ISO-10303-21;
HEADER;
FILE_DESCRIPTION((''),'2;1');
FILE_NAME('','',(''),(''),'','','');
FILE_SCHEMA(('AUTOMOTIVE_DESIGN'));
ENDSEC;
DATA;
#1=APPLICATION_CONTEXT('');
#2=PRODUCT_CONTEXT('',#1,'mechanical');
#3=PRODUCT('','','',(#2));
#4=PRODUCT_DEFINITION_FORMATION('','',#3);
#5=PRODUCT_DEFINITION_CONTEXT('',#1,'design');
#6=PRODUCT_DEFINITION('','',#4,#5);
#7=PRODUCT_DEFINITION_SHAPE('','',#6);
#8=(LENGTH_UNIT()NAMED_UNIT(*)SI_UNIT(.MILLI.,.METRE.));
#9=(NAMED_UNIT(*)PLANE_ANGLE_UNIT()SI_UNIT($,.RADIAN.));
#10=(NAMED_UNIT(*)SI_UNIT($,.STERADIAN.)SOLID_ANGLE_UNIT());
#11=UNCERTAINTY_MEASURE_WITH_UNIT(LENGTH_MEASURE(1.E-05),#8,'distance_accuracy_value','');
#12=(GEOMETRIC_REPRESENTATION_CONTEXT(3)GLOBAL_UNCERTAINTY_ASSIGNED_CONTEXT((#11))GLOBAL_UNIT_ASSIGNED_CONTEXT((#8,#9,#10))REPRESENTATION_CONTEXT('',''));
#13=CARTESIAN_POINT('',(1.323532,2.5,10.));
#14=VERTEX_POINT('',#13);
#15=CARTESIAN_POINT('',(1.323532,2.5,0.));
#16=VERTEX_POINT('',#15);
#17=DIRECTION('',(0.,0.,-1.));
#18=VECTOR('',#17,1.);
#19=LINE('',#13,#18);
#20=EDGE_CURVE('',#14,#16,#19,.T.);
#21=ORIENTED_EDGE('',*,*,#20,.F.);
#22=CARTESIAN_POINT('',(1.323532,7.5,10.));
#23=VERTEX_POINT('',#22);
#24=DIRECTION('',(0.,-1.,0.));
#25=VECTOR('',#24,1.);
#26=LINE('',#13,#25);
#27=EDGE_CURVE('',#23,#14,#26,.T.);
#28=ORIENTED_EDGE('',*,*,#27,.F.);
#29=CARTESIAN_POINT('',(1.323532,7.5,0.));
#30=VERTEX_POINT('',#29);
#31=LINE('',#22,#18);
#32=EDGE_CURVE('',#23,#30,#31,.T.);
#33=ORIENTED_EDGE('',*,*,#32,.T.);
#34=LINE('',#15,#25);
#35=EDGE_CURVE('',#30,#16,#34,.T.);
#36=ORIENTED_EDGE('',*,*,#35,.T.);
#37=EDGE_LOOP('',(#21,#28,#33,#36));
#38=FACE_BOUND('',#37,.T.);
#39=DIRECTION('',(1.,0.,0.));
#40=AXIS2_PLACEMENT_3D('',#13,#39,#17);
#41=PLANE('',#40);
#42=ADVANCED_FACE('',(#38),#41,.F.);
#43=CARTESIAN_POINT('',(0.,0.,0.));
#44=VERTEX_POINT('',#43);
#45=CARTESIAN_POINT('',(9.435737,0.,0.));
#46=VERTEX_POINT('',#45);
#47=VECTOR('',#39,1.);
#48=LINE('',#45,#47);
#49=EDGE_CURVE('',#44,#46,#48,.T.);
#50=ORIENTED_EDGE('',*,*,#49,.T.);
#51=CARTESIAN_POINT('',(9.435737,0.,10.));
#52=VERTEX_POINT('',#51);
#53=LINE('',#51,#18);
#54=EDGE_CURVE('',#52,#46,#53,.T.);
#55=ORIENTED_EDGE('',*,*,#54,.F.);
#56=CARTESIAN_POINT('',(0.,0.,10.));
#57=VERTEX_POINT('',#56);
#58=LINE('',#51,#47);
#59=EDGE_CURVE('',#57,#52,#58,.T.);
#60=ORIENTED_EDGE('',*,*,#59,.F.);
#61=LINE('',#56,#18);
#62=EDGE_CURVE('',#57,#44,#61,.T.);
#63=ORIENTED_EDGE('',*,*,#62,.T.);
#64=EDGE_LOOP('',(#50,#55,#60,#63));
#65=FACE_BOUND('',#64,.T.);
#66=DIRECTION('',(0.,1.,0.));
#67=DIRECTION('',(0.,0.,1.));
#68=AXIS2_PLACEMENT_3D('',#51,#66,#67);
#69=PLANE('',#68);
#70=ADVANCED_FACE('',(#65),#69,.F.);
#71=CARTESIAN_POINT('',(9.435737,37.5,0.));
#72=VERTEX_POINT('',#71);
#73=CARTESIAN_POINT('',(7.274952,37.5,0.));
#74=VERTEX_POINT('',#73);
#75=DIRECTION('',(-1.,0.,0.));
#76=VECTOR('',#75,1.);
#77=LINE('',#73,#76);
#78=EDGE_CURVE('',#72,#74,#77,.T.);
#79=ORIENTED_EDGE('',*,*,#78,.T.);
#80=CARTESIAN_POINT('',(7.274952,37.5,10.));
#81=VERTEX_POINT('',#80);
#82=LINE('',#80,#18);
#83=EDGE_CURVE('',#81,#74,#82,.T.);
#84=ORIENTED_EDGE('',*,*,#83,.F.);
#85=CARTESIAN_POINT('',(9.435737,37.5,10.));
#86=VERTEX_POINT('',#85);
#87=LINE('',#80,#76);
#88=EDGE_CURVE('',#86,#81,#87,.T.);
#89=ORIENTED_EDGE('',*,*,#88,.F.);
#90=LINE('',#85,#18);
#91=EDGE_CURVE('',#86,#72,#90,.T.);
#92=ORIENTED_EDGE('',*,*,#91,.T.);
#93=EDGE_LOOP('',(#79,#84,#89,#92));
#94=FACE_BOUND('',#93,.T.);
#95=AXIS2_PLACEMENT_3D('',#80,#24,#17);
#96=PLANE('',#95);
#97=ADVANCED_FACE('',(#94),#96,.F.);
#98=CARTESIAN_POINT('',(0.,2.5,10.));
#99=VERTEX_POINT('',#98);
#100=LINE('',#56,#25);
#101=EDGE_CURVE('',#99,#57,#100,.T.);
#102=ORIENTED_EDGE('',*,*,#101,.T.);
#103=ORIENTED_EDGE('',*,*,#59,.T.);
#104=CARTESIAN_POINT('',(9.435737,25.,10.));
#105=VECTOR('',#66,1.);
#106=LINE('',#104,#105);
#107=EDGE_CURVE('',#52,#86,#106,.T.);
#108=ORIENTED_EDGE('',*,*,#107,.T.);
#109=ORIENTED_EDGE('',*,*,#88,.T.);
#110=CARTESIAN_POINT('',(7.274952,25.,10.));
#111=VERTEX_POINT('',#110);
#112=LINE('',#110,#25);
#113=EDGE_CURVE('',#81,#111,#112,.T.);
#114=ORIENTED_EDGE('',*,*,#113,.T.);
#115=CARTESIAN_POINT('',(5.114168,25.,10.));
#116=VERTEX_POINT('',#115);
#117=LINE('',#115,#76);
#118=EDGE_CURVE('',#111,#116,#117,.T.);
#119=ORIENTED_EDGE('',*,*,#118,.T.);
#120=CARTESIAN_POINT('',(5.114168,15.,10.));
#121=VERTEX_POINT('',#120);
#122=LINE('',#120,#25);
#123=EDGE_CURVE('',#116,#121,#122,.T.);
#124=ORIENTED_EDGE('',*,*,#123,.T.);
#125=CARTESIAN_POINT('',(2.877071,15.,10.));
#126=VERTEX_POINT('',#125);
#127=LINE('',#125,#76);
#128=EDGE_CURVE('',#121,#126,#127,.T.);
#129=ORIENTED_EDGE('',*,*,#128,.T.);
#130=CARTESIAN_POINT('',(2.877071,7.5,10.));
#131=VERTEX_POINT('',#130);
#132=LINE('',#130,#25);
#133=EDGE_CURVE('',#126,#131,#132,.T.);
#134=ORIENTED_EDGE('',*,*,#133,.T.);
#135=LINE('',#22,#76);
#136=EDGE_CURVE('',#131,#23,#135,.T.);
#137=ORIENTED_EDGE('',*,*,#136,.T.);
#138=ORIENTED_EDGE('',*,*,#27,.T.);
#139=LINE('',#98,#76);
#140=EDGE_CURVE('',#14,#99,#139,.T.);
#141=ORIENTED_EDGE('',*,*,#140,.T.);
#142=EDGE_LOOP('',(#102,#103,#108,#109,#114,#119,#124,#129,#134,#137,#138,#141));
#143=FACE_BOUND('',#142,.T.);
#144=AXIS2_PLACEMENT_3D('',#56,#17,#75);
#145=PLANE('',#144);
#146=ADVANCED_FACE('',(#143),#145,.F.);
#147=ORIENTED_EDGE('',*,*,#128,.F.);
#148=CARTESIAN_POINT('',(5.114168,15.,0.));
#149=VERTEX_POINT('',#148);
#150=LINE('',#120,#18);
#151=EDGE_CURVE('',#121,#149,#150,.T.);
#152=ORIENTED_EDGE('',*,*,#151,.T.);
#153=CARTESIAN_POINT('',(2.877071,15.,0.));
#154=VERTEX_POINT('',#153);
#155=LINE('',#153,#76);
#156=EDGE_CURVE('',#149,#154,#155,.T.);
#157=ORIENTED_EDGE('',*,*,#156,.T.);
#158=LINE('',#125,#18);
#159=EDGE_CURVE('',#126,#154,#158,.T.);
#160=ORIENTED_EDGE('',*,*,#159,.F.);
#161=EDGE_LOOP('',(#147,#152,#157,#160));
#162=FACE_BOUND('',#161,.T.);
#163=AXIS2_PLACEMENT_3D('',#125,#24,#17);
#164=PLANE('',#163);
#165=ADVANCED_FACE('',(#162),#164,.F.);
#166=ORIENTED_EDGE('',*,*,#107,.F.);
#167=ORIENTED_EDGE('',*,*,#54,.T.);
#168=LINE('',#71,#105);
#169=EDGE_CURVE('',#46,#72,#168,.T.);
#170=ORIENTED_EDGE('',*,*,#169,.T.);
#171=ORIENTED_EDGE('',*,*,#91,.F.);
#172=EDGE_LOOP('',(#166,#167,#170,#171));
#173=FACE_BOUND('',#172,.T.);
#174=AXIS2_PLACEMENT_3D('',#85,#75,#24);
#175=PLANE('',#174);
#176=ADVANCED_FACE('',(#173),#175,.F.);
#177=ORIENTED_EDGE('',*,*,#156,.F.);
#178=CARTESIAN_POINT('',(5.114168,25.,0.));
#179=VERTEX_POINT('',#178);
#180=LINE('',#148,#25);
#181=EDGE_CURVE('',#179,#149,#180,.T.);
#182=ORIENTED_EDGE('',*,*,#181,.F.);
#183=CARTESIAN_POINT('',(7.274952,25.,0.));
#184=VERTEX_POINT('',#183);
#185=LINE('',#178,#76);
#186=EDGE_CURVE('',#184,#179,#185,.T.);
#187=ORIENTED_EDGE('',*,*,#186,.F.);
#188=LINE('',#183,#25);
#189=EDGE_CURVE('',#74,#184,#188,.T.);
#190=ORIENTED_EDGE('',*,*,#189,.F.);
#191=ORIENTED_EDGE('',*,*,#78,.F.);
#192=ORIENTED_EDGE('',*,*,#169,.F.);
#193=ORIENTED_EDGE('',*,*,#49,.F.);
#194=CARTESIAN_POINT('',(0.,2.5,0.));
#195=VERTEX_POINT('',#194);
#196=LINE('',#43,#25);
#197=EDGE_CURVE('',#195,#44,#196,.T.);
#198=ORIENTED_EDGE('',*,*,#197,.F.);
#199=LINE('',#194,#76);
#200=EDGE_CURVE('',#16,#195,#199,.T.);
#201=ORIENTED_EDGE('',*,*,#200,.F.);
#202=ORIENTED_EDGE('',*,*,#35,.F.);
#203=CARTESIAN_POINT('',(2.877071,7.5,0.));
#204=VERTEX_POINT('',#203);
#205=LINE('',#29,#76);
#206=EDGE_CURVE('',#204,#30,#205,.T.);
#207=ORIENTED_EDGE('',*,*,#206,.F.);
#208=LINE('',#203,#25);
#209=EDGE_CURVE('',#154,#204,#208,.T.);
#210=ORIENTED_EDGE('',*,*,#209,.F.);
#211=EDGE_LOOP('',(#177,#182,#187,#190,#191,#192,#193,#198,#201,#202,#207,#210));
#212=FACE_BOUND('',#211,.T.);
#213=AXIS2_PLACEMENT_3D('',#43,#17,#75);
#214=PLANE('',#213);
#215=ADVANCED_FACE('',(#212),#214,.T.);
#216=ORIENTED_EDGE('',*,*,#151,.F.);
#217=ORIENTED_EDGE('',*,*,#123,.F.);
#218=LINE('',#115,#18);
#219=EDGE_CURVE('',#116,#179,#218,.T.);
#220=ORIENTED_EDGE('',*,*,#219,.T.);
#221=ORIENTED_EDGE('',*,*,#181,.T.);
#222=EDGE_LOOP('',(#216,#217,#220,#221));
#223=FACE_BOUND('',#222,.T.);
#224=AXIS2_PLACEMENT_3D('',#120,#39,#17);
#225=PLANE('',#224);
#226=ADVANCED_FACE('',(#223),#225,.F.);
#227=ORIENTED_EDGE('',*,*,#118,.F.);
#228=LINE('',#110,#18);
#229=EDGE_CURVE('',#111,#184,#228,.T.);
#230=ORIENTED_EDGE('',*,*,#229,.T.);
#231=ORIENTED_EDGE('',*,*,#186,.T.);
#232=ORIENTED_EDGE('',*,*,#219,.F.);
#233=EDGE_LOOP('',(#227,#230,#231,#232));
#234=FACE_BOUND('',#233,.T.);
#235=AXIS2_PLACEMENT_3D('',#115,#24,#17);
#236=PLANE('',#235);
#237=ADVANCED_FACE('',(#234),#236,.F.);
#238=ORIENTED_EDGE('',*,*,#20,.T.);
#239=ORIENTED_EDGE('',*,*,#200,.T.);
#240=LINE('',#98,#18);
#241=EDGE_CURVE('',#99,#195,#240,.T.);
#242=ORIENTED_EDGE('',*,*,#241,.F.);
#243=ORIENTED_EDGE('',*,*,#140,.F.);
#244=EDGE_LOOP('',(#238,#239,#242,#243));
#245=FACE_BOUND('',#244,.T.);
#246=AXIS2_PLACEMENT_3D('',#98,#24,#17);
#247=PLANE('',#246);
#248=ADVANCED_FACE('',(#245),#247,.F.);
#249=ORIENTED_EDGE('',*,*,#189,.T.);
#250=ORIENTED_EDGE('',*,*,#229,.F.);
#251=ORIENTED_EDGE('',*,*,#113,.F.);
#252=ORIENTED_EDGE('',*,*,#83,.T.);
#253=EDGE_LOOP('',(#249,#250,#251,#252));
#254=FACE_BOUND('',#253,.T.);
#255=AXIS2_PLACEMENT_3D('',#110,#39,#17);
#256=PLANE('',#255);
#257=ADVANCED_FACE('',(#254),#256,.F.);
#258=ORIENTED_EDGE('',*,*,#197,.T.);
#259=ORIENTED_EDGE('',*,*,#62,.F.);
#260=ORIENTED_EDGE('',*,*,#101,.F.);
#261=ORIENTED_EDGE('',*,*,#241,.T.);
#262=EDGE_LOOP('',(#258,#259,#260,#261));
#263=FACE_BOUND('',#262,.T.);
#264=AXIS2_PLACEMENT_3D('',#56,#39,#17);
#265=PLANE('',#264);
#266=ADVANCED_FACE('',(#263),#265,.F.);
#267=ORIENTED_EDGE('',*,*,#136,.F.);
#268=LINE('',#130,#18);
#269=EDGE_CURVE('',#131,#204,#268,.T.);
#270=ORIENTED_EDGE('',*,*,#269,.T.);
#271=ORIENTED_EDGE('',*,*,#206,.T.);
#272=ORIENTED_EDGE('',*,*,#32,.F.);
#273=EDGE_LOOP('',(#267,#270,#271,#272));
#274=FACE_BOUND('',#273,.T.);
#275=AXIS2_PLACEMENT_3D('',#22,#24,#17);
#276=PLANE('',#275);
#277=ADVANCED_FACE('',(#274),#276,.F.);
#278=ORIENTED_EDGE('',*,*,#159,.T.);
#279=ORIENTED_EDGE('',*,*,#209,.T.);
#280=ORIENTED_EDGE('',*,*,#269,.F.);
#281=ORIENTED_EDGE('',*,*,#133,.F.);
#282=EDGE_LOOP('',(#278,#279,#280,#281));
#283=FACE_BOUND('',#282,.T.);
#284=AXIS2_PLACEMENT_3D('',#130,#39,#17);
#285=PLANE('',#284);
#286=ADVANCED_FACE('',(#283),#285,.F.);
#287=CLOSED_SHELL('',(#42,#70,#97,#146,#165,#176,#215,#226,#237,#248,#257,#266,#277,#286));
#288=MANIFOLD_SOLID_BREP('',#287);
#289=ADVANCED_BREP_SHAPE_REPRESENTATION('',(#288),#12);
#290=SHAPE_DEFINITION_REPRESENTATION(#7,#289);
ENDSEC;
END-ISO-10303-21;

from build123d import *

# Parameters (mm, degrees)
BOSS_EXTRUDE3_DEPTH = 10


with BuildPart() as part:
    # Sketch1 → Boss-Extrude3 (new body)
    with BuildSketch(Plane.XY):
        Polygon((0, 0), (0, 2.5), (1.323532089, 2.5), (1.323532089, 7.5), (2.877071227, 7.5), (2.877071227, 15), (5.114167586, 15), (5.114167586, 25), (7.27495243, 25), (7.27495243, 37.5), (9.435737274, 37.5), (9.435737274, 25), (9.435737274, 0), align=None)
    extrude(amount=BOSS_EXTRUDE3_DEPTH)


solid = part.part
